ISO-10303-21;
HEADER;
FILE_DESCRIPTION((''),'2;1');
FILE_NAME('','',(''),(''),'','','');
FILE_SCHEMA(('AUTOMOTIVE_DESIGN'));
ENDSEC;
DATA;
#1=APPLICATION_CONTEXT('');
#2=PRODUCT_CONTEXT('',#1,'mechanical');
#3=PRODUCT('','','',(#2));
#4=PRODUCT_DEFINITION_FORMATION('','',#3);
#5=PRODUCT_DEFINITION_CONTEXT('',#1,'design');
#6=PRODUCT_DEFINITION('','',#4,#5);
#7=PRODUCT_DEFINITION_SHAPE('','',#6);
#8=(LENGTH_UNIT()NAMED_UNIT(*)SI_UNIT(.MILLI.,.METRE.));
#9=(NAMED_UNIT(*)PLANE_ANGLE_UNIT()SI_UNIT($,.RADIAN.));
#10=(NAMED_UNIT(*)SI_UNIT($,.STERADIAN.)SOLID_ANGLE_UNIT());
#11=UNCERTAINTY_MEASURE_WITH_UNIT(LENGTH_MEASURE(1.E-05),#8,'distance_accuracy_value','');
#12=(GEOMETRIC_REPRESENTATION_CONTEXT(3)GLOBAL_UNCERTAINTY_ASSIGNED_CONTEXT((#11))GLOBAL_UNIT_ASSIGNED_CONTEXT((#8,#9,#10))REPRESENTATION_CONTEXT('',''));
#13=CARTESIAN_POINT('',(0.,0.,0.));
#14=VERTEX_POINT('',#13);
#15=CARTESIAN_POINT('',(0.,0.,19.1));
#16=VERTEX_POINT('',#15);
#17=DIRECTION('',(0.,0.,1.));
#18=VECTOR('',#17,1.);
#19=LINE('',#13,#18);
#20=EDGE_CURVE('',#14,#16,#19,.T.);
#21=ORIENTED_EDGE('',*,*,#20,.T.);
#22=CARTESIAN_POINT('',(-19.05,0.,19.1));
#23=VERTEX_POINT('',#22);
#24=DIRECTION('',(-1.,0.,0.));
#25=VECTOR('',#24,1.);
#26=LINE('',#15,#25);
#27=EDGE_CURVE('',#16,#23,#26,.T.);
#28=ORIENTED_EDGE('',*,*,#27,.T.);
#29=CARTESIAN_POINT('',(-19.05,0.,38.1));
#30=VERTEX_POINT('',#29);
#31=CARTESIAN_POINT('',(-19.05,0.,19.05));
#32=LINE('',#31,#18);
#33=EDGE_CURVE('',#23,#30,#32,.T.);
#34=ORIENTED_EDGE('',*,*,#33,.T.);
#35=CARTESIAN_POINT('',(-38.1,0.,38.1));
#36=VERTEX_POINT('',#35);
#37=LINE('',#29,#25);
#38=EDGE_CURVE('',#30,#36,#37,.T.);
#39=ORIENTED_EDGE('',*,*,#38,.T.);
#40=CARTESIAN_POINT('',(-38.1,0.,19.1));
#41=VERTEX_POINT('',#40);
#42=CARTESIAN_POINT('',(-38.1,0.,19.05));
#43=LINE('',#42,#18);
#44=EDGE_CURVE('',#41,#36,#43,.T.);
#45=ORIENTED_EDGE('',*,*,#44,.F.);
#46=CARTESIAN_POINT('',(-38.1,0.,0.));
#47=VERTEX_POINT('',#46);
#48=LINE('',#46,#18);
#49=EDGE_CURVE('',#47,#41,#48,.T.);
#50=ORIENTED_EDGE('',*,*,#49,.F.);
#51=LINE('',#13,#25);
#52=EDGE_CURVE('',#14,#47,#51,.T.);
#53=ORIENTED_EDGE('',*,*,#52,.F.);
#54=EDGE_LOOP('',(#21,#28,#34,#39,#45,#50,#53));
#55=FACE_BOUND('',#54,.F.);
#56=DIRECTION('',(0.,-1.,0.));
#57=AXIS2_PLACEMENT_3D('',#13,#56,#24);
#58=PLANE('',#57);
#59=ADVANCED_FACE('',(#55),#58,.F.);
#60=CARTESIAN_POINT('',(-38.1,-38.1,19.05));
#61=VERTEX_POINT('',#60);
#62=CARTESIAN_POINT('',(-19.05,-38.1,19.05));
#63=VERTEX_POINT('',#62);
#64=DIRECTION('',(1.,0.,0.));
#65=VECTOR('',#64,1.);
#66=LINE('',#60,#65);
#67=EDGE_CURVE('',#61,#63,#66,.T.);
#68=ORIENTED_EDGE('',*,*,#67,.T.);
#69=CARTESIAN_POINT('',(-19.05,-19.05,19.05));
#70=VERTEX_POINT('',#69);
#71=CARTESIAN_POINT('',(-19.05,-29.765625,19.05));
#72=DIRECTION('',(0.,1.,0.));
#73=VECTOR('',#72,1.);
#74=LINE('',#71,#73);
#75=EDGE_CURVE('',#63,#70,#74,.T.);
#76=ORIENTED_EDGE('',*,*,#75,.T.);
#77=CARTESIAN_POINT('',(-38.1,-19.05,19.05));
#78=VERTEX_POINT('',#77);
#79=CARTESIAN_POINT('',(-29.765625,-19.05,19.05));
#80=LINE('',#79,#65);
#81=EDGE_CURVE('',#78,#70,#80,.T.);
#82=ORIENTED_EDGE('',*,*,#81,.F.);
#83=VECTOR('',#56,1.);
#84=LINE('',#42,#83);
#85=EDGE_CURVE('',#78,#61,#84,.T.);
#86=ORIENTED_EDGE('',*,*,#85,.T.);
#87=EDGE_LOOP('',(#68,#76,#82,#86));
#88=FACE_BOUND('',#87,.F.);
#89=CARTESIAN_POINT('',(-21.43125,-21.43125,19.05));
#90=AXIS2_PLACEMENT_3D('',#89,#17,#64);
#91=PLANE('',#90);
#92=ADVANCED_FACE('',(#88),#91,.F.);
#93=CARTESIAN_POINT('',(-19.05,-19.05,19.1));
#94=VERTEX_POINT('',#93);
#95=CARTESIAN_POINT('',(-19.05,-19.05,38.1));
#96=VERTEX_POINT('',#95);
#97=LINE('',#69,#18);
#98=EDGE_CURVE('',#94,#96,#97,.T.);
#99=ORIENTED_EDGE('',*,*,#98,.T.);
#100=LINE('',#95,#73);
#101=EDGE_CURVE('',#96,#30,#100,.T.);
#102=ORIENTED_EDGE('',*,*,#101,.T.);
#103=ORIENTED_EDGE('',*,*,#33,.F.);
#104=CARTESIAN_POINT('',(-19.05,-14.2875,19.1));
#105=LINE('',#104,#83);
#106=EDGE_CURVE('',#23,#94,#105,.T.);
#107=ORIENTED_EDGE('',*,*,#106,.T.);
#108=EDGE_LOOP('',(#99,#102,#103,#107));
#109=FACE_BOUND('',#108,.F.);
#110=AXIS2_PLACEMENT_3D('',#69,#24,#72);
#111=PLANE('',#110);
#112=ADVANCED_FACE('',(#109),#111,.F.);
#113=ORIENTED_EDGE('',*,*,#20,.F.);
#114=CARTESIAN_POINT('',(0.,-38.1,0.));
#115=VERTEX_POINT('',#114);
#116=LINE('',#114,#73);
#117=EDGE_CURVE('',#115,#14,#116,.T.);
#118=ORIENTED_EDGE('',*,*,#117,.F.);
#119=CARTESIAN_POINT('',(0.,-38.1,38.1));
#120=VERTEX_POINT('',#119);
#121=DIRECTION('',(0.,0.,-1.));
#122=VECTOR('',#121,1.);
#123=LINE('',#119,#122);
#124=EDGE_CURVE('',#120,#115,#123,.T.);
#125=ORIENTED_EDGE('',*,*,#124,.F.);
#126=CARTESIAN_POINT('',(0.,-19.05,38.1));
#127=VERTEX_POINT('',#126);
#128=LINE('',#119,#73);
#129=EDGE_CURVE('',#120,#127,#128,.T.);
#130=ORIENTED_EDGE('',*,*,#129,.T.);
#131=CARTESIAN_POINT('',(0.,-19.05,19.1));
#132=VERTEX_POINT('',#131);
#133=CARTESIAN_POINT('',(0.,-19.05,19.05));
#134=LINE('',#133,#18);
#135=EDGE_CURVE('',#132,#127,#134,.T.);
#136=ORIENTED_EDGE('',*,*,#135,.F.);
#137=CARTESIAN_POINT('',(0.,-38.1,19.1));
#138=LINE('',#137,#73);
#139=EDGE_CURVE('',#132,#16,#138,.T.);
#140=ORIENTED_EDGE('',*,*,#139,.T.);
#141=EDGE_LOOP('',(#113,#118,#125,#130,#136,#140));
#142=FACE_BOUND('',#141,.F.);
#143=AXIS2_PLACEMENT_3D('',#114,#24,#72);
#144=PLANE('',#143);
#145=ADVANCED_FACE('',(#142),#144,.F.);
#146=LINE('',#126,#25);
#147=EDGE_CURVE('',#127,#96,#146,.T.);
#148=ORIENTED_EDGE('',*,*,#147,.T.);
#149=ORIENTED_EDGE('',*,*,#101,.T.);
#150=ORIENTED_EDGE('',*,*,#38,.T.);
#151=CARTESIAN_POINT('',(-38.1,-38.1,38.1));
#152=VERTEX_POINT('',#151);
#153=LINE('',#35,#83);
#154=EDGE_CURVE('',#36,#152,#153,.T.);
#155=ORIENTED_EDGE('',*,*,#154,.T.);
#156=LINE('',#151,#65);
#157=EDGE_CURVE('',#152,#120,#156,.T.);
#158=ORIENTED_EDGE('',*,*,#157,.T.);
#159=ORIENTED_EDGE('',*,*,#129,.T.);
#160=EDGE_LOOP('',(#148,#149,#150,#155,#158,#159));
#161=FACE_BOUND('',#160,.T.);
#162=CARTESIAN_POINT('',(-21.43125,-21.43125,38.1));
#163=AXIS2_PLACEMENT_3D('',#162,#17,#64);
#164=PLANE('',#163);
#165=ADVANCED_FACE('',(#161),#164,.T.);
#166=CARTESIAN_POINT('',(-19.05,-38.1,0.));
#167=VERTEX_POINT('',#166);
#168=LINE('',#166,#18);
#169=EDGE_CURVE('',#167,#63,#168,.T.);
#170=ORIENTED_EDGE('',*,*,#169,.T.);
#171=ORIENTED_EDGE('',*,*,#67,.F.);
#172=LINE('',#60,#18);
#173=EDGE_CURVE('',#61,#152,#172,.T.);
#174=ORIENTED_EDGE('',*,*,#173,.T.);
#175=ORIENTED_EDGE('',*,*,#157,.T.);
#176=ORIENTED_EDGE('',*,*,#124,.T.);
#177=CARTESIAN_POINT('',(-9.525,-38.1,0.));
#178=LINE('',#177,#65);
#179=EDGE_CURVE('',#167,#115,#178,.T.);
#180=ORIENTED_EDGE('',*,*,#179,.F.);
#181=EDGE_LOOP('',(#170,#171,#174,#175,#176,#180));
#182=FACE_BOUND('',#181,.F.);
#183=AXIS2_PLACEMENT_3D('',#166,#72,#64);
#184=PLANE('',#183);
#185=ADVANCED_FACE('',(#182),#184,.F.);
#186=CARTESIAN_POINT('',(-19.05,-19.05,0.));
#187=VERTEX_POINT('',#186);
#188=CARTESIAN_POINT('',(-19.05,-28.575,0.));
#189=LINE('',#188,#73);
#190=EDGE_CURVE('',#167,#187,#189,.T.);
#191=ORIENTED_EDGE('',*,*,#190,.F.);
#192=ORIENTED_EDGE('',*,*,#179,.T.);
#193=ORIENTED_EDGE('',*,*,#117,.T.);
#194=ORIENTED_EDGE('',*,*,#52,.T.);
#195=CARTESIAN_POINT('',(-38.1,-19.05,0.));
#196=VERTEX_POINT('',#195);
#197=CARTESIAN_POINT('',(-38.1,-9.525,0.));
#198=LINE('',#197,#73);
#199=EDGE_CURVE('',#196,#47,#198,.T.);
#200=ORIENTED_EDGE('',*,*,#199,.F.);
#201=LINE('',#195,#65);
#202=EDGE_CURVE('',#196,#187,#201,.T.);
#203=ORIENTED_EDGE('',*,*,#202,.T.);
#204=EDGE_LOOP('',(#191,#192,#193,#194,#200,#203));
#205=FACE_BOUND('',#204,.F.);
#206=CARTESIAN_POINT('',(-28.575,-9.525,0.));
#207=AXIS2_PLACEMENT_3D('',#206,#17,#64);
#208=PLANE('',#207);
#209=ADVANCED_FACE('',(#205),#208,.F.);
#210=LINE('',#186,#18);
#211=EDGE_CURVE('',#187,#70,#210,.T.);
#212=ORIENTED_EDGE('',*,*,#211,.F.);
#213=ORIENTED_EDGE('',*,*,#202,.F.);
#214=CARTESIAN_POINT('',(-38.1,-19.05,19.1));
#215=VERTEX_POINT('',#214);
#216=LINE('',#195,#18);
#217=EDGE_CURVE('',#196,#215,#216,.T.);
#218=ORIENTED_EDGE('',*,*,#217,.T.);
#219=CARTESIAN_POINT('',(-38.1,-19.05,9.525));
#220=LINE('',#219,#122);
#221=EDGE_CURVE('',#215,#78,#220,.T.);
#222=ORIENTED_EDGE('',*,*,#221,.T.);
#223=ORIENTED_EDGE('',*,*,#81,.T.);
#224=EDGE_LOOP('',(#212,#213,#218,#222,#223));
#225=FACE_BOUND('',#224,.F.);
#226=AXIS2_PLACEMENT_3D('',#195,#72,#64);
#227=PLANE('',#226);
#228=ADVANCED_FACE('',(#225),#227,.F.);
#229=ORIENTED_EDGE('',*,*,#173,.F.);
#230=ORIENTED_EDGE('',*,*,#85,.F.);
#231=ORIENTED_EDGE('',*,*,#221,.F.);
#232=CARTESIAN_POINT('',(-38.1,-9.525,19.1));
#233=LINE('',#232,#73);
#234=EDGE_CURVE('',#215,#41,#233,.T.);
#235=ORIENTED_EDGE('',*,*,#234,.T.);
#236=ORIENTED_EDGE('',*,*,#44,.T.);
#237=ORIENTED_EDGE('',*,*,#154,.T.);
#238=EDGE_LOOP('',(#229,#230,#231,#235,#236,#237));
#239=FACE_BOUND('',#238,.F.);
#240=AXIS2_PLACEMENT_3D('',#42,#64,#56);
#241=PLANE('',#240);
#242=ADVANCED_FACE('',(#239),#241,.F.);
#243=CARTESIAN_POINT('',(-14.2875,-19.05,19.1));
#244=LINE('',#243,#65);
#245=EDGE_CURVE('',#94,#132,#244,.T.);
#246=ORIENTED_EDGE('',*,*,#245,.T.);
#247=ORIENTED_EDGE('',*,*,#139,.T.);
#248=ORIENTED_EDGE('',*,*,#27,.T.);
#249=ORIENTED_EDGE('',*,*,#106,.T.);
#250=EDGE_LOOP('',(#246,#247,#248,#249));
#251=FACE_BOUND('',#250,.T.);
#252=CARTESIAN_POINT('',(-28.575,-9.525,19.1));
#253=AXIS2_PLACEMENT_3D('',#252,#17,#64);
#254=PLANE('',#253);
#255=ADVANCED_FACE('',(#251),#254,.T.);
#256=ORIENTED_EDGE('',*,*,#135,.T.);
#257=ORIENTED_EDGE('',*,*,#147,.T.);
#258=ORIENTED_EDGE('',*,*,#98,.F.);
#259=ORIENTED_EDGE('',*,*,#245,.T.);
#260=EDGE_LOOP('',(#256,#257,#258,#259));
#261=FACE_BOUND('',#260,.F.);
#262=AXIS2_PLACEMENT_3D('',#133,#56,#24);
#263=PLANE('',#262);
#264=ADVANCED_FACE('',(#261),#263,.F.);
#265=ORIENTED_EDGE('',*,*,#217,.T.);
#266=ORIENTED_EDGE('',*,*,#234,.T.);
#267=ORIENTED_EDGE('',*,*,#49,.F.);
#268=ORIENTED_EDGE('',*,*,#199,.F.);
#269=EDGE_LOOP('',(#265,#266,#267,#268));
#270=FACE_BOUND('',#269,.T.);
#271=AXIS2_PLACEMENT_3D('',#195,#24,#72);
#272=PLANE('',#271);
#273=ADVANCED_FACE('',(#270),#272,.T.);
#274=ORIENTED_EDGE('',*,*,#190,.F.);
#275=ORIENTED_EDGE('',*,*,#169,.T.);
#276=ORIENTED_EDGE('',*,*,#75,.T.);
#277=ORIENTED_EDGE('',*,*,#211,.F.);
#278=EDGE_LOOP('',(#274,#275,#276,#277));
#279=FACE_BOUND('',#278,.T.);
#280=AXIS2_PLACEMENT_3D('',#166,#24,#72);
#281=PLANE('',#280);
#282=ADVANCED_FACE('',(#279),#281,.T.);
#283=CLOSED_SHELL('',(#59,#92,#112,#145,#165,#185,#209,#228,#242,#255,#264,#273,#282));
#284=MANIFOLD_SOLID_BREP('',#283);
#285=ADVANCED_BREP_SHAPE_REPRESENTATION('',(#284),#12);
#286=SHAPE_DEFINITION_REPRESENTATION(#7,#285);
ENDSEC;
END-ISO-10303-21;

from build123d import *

# Parameters (mm, degrees)
F0_W     = 19.0500004709
F0_H     = 19.05
F0_W_2   = 19.0500002354
F0_W_3   = 19.05
F1_DEPTH = 19.1
F4_DEPTH = 19.05


with BuildPart() as f1:
    # F0 (on Top) → F1 (new body)
    with BuildSketch(Plane.XY):
        with Locations((-28.5750002354, -9.525)):
            Rectangle(F0_W, F0_H)
        with Locations((-9.5250001177, -9.525)):
            Rectangle(F0_W_2, F0_H)
        with Locations((-9.525, -28.575)):
            Rectangle(F0_W_3, F0_H)
    extrude(amount=F1_DEPTH)

    # F3 (on offset) → F4 (join)
    with BuildSketch(Plane.XY.offset(19.05)):
        Polygon((-19.05, 0), (-38.1, 0), (-38.1, -38.1), (0, -38.1), (0, -19.05), (-19.05, -19.05), align=None)
    extrude(amount=F4_DEPTH)


solid = f1.part
